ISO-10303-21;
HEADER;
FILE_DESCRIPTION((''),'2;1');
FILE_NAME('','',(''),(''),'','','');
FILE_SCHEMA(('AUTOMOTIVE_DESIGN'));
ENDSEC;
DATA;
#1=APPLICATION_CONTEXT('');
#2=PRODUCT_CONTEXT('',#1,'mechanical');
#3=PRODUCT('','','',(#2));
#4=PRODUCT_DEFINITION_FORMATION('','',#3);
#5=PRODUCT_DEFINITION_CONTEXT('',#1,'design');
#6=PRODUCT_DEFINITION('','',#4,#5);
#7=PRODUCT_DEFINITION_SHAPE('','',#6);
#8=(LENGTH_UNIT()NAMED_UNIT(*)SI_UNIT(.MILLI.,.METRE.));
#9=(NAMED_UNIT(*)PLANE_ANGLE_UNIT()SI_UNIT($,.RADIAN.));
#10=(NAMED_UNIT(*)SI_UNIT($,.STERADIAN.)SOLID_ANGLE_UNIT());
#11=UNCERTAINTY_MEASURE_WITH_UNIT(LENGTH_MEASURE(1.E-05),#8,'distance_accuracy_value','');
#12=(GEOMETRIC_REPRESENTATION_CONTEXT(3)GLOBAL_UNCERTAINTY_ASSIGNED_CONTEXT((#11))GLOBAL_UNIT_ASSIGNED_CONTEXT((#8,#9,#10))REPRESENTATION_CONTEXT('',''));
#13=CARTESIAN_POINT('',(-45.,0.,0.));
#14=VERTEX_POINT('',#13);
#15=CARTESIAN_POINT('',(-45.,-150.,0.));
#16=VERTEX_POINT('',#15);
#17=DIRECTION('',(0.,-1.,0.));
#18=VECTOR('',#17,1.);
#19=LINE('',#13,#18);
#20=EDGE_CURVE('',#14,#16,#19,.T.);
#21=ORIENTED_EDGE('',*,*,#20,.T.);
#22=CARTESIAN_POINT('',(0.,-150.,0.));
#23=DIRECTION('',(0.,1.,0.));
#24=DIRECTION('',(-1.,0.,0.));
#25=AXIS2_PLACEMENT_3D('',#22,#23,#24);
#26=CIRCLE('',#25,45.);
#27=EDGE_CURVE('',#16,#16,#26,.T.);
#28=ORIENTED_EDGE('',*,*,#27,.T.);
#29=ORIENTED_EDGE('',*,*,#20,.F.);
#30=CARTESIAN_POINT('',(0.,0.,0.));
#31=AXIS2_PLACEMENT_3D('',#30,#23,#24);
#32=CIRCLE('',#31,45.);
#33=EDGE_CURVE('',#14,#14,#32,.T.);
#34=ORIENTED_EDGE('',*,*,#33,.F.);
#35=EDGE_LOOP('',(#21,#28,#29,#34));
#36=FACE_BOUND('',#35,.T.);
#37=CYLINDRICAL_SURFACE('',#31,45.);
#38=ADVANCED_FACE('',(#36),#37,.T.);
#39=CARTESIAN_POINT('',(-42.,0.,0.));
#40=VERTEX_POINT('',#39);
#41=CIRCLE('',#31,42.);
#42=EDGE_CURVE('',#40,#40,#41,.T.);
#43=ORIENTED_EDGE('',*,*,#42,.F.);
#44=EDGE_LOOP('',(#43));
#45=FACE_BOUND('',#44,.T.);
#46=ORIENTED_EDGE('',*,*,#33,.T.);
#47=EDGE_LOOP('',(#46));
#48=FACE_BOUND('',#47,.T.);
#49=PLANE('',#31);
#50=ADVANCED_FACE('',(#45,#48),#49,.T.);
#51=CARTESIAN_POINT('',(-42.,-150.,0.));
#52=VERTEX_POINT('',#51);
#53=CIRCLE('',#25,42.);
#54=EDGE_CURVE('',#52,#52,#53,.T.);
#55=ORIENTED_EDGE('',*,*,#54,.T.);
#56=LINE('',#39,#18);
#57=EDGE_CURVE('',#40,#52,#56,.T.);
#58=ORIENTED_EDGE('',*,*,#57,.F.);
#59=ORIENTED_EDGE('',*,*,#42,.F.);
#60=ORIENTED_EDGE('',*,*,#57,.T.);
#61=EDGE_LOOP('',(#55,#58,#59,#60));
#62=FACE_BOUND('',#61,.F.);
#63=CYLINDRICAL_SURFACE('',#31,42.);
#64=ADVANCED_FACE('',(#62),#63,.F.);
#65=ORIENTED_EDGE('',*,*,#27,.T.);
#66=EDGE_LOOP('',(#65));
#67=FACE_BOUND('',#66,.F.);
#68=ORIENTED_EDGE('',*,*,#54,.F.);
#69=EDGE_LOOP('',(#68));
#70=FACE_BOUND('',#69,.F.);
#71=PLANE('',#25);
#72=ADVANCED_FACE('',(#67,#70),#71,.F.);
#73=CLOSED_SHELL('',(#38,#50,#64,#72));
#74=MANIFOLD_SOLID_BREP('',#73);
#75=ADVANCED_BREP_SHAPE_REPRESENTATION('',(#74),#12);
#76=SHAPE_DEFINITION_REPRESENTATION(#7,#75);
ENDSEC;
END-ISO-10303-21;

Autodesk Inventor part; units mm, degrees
ref_plane "YZ Plane" through (0, 0, 0) normal (1, 0, 0) x (0, 1, 0)
ref_plane "XZ Plane" through (0, 0, 0) normal (0, 1, 0) x (-1, 0, 0)
ref_plane "XY Plane" through (0, 0, 0) normal (0, 0, 1) x (1, 0, 0)
sketch "Sketch1" plane through (0, 0, 0) normal (0, 1, 0) x (-1, 0, 0)
  circle A0 centre (0, 0) radius 45
  circle A1 centre (0, 0) radius 42
  dimension "d0" = 90
  dimension "d1" = 3
extrude "Extrusion1" add sketch "Sketch1" against normal blind 150
properties part number "SLM 1614 FDS tube 4"
